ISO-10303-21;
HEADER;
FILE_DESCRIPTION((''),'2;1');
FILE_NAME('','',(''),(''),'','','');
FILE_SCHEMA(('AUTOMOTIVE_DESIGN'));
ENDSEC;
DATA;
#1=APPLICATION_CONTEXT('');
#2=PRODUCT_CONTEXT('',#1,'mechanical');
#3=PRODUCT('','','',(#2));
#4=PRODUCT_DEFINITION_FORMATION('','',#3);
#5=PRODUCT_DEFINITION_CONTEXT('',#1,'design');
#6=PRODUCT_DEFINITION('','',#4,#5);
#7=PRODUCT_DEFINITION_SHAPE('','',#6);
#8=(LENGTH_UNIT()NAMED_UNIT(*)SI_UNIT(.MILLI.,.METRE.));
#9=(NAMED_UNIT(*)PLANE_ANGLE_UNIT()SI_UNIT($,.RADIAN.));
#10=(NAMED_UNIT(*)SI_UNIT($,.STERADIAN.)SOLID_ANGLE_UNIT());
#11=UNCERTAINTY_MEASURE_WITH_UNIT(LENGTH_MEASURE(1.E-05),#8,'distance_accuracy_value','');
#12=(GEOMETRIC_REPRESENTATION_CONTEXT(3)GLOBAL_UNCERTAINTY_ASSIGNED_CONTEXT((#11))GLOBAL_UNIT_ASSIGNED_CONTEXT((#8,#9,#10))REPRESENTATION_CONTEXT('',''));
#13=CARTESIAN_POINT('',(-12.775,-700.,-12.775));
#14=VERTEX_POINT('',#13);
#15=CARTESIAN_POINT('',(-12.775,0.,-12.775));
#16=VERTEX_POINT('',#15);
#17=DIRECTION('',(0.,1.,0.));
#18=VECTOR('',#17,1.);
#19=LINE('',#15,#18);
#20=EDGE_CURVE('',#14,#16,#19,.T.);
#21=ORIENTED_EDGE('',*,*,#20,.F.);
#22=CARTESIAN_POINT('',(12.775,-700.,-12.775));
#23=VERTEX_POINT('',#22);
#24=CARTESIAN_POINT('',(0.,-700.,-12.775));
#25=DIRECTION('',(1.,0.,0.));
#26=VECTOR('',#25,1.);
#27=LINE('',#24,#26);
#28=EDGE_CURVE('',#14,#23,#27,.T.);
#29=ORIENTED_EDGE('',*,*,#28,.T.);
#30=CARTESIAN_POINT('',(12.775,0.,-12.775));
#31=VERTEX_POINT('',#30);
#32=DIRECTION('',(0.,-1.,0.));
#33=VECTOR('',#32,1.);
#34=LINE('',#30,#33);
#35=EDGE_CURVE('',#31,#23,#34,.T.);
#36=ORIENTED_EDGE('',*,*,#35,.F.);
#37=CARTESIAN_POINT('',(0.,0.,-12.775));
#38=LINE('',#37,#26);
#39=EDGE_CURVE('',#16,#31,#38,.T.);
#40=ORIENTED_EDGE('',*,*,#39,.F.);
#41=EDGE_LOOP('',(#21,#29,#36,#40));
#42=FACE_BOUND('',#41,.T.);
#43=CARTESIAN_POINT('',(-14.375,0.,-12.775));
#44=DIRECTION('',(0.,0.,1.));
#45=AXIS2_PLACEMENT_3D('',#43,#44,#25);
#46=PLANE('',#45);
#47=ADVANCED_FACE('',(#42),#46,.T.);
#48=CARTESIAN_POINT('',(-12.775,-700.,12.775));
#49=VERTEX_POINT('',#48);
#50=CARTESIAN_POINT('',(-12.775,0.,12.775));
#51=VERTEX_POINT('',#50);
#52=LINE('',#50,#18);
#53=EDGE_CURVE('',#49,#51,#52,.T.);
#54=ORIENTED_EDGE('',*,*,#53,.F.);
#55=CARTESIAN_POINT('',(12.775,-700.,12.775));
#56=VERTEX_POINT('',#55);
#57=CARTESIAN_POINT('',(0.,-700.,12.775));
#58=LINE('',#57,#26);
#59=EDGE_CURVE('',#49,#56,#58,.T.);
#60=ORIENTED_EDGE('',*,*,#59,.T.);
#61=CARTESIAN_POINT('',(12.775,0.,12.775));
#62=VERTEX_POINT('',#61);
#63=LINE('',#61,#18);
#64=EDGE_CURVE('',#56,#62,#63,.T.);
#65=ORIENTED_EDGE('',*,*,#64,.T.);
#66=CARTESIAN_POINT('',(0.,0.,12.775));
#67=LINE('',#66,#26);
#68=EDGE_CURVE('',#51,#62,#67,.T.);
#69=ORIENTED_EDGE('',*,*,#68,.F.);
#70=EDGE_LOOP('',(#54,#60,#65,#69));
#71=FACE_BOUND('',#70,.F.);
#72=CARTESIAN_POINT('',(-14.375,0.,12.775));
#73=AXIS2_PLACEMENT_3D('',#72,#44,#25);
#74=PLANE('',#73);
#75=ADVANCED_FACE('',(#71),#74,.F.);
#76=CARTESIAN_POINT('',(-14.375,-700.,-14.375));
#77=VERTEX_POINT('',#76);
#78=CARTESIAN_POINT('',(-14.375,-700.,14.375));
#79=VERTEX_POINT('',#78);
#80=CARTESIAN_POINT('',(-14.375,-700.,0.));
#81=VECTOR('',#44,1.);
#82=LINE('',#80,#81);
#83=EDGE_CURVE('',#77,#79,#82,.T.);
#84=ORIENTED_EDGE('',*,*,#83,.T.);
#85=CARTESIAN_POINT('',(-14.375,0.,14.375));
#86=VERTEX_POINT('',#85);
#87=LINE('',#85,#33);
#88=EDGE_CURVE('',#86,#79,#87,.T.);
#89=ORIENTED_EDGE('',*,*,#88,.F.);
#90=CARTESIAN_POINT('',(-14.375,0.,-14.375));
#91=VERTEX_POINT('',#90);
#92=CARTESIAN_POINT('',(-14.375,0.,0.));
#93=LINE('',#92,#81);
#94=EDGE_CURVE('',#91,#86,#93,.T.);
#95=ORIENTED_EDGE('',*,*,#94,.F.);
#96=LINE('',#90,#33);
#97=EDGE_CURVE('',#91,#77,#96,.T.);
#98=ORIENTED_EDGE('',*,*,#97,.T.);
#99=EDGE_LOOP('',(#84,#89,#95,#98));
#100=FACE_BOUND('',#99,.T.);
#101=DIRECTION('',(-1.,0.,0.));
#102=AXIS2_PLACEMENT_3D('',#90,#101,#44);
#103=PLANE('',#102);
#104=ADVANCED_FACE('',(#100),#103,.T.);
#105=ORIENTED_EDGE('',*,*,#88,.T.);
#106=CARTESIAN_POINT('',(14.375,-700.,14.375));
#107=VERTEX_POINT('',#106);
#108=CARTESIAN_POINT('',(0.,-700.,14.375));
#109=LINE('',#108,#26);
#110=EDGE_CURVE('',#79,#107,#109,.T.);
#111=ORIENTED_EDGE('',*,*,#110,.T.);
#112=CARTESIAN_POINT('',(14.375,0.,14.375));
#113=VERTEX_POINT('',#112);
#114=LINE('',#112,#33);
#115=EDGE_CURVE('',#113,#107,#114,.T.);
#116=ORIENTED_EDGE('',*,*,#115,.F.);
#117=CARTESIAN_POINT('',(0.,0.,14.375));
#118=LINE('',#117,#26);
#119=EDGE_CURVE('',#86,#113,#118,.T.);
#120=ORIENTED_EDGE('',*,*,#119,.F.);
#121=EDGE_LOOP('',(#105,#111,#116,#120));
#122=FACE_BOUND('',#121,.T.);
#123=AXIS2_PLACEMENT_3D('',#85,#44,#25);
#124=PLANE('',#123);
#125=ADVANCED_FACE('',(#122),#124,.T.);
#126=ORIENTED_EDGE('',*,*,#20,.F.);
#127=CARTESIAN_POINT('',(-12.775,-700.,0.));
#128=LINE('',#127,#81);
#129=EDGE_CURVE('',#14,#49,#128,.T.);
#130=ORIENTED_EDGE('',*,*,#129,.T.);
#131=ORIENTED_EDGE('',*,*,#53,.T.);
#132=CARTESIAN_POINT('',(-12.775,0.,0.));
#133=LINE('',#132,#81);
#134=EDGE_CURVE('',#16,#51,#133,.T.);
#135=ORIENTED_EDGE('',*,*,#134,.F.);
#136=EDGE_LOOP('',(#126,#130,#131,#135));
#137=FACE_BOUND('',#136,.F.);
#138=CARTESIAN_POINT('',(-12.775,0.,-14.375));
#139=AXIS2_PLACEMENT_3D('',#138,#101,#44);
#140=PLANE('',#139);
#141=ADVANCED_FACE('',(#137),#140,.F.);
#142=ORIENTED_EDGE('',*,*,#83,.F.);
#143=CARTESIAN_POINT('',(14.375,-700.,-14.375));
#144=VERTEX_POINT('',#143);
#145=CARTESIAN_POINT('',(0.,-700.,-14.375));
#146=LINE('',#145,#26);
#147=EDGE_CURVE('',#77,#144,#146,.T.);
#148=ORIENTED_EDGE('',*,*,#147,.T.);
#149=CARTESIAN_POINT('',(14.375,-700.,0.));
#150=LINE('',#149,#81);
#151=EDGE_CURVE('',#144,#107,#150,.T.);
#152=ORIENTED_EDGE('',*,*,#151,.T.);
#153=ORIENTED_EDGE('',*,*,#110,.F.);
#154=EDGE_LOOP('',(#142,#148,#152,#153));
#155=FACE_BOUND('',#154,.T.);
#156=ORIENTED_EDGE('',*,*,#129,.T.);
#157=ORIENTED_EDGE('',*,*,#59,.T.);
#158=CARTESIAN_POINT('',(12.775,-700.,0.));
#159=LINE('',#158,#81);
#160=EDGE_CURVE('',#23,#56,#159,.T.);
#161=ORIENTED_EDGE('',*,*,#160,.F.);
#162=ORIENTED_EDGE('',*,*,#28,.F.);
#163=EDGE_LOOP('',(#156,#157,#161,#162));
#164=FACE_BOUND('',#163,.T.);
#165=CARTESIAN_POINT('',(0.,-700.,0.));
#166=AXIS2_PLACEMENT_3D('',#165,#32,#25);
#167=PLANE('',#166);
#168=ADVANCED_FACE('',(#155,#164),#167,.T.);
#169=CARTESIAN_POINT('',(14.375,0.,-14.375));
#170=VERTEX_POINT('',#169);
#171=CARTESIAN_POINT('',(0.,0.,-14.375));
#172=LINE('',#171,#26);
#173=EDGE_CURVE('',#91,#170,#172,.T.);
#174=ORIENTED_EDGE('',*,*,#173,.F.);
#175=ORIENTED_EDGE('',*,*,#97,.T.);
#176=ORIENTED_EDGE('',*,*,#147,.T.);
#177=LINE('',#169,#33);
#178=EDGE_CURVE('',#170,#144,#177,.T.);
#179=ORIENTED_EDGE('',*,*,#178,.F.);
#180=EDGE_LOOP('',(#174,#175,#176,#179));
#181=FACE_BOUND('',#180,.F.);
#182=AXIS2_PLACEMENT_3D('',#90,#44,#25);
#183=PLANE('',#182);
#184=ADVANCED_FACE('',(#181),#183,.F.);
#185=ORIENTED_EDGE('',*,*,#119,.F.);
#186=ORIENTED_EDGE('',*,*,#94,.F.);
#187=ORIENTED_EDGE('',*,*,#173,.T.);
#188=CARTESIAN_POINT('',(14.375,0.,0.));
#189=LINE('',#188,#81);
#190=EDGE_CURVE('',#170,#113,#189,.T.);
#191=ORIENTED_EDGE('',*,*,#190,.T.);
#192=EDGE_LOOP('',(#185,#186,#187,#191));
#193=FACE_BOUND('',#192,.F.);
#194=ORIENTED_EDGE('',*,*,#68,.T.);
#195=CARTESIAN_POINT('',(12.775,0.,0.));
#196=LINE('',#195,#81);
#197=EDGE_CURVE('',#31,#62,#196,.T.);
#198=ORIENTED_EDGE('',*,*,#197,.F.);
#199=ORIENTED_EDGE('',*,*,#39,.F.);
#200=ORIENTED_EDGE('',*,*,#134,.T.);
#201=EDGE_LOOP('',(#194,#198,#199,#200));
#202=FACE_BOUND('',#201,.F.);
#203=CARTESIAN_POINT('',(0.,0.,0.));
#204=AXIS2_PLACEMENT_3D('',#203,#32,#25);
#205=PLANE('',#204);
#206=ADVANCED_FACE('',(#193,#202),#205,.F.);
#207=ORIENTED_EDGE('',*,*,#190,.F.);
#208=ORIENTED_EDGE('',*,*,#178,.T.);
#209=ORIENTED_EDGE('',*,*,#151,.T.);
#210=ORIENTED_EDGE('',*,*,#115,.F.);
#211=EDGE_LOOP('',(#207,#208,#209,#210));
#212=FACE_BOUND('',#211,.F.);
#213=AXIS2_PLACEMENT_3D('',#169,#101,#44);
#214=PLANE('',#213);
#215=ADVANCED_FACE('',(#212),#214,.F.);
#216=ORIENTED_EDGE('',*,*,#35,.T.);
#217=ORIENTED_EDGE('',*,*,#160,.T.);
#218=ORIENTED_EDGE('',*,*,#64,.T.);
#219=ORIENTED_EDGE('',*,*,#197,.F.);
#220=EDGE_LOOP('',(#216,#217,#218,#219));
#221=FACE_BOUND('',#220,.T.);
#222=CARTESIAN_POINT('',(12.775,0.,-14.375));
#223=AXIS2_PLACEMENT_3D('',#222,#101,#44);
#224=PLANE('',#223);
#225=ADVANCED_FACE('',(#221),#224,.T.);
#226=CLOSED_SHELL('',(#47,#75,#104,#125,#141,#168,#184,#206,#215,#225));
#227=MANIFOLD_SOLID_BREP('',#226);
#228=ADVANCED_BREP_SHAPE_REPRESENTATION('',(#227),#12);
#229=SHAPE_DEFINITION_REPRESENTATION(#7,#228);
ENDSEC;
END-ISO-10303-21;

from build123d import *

# Parameters (mm, degrees)
F0_W     = 28.75
F0_H     = 28.75
F1_DEPTH = 700
F2_T     = -1.6


with BuildPart() as f1:
    # F0 (on Front) → F1 (new body)
    with BuildSketch(Plane.XZ):
        Rectangle(F0_W, F0_H)
    extrude(amount=F1_DEPTH)

    # F2
    f2_openings = [f1.faces().sort_by_distance(p)[0] for p in [
        (0, 0, 0),
        (0, -700, 0),
    ]]
    offset(amount=F2_T, openings=f2_openings)


solid = f1.part
